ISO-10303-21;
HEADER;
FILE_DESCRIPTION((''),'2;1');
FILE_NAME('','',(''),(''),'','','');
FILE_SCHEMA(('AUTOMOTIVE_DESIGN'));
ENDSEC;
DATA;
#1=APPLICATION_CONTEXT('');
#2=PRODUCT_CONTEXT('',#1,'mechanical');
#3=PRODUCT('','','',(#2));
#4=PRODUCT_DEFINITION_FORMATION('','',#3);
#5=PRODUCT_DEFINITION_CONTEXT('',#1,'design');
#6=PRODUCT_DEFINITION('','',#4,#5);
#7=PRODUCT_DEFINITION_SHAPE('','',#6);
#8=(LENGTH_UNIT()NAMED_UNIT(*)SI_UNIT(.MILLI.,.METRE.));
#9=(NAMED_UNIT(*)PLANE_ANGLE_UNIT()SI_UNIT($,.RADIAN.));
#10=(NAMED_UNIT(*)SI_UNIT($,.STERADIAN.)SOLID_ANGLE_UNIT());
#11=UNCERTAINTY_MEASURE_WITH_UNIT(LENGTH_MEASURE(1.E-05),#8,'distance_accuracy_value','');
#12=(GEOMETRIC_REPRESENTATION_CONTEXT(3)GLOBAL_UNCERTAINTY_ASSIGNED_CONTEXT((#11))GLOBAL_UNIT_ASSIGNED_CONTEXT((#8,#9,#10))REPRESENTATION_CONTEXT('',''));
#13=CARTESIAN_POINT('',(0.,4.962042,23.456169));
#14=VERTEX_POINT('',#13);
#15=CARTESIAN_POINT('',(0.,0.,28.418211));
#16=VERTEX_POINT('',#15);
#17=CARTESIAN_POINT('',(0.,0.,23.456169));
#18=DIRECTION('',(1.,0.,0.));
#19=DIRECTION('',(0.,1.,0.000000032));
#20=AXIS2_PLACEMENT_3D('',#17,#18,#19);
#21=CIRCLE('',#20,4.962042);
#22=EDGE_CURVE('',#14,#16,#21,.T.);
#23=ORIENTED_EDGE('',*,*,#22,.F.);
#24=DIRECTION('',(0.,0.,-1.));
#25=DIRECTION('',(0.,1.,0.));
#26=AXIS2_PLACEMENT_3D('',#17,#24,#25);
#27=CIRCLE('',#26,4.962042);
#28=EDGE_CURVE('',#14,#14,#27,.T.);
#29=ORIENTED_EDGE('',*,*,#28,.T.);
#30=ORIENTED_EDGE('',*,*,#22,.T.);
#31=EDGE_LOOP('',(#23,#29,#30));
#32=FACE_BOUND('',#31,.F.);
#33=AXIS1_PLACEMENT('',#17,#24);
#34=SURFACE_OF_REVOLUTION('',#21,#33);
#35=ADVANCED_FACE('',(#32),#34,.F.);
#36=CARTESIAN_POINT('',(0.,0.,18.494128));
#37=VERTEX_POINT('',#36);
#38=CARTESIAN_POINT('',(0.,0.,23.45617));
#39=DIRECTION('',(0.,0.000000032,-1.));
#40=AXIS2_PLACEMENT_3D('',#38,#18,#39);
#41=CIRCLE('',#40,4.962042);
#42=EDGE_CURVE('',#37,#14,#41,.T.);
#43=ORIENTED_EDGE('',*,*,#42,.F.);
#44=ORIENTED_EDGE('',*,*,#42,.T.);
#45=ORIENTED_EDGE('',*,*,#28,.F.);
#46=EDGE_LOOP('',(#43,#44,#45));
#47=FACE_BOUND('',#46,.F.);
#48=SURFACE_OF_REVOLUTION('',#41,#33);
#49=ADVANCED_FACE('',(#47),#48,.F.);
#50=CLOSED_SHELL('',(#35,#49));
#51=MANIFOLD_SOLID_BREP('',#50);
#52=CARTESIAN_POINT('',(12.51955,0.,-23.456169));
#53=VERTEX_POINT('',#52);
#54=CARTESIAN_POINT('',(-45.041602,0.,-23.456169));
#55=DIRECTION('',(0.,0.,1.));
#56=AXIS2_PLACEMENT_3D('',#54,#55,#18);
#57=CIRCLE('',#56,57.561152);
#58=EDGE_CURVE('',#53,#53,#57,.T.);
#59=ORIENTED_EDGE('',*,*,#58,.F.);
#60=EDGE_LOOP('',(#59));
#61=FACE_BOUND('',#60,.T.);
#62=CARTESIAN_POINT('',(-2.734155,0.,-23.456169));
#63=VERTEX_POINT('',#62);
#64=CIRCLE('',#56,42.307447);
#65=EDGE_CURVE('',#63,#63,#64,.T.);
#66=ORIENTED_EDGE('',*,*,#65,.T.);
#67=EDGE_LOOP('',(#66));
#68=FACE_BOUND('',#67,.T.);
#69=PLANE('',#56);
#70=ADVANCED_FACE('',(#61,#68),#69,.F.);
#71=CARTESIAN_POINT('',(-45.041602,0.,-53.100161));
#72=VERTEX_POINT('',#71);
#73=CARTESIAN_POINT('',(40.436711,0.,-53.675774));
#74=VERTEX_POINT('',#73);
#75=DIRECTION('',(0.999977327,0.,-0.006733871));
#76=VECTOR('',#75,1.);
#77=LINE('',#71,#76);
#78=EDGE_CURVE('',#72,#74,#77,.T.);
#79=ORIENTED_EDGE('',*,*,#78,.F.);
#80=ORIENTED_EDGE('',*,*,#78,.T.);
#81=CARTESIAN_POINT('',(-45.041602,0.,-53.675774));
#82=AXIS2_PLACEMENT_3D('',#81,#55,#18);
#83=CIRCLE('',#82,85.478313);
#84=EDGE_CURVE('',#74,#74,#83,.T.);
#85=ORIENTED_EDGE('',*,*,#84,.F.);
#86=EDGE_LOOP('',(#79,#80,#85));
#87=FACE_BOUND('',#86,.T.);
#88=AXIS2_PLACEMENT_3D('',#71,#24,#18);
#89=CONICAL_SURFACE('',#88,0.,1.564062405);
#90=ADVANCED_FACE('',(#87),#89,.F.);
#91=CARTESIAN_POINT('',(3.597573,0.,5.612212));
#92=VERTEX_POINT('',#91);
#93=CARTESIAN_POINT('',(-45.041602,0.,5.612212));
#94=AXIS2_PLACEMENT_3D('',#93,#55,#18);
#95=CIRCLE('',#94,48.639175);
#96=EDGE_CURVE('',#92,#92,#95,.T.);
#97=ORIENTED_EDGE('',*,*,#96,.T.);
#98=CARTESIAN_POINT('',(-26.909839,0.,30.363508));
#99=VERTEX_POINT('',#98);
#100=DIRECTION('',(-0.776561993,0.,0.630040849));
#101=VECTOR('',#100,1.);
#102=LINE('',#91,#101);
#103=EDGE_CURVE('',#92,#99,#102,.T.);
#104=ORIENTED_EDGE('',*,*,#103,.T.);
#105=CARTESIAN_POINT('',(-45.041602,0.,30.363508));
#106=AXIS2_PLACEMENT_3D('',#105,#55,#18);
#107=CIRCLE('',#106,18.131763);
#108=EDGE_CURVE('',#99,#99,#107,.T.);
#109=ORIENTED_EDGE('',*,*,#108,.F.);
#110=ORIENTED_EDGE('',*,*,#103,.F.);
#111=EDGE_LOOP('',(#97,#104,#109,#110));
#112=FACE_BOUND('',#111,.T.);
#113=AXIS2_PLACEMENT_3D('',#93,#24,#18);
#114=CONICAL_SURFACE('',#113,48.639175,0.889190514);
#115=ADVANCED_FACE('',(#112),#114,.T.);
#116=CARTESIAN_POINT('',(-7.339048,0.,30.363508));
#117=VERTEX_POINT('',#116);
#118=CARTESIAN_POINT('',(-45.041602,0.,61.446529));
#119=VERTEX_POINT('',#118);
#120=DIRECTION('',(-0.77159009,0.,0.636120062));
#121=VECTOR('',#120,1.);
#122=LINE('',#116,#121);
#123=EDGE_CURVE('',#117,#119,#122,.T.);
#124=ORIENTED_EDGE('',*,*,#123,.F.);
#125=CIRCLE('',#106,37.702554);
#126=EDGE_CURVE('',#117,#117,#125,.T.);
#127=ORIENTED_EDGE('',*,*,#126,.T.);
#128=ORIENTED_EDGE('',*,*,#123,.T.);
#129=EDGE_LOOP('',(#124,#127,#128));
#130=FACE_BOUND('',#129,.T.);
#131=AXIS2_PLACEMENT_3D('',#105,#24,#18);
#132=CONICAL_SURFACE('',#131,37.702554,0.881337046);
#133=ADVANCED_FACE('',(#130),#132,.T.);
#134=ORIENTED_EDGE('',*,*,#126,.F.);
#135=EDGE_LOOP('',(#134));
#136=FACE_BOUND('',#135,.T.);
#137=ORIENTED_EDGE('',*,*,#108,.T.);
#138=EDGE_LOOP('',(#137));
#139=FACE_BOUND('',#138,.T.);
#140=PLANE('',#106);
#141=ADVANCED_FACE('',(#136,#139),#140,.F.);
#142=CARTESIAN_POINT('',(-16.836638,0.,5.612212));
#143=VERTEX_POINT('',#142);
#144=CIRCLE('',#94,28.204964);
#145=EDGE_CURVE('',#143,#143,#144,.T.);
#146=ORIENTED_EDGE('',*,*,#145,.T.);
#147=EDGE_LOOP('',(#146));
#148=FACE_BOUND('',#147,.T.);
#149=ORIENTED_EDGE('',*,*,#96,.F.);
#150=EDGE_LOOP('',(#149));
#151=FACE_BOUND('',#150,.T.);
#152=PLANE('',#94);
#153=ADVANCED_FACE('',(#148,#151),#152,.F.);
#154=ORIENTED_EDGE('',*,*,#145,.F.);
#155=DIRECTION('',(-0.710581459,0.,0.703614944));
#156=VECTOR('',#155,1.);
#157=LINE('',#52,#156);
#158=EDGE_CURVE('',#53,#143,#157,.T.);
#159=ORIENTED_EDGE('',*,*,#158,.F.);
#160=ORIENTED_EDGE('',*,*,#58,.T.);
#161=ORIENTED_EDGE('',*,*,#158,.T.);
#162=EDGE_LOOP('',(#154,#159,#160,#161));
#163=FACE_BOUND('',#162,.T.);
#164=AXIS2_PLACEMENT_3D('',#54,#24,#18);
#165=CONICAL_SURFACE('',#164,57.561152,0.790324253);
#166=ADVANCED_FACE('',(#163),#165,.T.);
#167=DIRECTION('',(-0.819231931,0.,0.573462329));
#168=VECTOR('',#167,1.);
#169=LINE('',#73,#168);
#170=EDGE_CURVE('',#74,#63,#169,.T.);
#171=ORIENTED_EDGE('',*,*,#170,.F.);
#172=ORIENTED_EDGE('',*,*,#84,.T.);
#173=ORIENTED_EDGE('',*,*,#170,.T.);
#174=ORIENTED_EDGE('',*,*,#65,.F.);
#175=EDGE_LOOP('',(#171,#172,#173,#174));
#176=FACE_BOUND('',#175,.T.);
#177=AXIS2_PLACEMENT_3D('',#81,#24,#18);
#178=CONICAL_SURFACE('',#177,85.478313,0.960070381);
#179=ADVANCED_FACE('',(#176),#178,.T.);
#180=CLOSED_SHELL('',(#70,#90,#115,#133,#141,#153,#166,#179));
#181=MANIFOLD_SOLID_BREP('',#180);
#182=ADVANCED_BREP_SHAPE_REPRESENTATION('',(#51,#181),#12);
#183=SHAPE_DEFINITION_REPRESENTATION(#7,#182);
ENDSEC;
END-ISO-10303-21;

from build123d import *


with BuildPart() as f1:
    # F0 (on Front) → F1 (revolve)
    with BuildSketch(Plane.XZ):
        Polygon((-45.041602, 61.446529), (-45.041602, -53.100161), (40.436711, -53.675774), (-2.734155, -23.456169), (12.51955, -23.456169), (-16.836638, 5.612212), (3.597573, 5.612212), (-26.909839, 30.363508), (-7.339048, 30.363508), align=None)
    revolve(axis=Axis((-45.041602, 0, 4.173184), (0, 0, 1)))


with BuildPart() as f3:
    # F2 (on Right) → F3 (revolve)
    with BuildSketch(Plane.YZ):
        with BuildLine():
            ThreePointArc((0, 18.494128), (3.508693, 19.947476), (4.962042, 23.456169))
            ThreePointArc((4.962042, 23.456169), (3.508693, 26.964863), (0, 28.418211))
            Line((0, 28.418211), (0, 18.494128))
        make_face()
    revolve(axis=Axis((0, 0, 23.456169), (0, 0, -1)))


solid = Compound([f1.part, f3.part])
